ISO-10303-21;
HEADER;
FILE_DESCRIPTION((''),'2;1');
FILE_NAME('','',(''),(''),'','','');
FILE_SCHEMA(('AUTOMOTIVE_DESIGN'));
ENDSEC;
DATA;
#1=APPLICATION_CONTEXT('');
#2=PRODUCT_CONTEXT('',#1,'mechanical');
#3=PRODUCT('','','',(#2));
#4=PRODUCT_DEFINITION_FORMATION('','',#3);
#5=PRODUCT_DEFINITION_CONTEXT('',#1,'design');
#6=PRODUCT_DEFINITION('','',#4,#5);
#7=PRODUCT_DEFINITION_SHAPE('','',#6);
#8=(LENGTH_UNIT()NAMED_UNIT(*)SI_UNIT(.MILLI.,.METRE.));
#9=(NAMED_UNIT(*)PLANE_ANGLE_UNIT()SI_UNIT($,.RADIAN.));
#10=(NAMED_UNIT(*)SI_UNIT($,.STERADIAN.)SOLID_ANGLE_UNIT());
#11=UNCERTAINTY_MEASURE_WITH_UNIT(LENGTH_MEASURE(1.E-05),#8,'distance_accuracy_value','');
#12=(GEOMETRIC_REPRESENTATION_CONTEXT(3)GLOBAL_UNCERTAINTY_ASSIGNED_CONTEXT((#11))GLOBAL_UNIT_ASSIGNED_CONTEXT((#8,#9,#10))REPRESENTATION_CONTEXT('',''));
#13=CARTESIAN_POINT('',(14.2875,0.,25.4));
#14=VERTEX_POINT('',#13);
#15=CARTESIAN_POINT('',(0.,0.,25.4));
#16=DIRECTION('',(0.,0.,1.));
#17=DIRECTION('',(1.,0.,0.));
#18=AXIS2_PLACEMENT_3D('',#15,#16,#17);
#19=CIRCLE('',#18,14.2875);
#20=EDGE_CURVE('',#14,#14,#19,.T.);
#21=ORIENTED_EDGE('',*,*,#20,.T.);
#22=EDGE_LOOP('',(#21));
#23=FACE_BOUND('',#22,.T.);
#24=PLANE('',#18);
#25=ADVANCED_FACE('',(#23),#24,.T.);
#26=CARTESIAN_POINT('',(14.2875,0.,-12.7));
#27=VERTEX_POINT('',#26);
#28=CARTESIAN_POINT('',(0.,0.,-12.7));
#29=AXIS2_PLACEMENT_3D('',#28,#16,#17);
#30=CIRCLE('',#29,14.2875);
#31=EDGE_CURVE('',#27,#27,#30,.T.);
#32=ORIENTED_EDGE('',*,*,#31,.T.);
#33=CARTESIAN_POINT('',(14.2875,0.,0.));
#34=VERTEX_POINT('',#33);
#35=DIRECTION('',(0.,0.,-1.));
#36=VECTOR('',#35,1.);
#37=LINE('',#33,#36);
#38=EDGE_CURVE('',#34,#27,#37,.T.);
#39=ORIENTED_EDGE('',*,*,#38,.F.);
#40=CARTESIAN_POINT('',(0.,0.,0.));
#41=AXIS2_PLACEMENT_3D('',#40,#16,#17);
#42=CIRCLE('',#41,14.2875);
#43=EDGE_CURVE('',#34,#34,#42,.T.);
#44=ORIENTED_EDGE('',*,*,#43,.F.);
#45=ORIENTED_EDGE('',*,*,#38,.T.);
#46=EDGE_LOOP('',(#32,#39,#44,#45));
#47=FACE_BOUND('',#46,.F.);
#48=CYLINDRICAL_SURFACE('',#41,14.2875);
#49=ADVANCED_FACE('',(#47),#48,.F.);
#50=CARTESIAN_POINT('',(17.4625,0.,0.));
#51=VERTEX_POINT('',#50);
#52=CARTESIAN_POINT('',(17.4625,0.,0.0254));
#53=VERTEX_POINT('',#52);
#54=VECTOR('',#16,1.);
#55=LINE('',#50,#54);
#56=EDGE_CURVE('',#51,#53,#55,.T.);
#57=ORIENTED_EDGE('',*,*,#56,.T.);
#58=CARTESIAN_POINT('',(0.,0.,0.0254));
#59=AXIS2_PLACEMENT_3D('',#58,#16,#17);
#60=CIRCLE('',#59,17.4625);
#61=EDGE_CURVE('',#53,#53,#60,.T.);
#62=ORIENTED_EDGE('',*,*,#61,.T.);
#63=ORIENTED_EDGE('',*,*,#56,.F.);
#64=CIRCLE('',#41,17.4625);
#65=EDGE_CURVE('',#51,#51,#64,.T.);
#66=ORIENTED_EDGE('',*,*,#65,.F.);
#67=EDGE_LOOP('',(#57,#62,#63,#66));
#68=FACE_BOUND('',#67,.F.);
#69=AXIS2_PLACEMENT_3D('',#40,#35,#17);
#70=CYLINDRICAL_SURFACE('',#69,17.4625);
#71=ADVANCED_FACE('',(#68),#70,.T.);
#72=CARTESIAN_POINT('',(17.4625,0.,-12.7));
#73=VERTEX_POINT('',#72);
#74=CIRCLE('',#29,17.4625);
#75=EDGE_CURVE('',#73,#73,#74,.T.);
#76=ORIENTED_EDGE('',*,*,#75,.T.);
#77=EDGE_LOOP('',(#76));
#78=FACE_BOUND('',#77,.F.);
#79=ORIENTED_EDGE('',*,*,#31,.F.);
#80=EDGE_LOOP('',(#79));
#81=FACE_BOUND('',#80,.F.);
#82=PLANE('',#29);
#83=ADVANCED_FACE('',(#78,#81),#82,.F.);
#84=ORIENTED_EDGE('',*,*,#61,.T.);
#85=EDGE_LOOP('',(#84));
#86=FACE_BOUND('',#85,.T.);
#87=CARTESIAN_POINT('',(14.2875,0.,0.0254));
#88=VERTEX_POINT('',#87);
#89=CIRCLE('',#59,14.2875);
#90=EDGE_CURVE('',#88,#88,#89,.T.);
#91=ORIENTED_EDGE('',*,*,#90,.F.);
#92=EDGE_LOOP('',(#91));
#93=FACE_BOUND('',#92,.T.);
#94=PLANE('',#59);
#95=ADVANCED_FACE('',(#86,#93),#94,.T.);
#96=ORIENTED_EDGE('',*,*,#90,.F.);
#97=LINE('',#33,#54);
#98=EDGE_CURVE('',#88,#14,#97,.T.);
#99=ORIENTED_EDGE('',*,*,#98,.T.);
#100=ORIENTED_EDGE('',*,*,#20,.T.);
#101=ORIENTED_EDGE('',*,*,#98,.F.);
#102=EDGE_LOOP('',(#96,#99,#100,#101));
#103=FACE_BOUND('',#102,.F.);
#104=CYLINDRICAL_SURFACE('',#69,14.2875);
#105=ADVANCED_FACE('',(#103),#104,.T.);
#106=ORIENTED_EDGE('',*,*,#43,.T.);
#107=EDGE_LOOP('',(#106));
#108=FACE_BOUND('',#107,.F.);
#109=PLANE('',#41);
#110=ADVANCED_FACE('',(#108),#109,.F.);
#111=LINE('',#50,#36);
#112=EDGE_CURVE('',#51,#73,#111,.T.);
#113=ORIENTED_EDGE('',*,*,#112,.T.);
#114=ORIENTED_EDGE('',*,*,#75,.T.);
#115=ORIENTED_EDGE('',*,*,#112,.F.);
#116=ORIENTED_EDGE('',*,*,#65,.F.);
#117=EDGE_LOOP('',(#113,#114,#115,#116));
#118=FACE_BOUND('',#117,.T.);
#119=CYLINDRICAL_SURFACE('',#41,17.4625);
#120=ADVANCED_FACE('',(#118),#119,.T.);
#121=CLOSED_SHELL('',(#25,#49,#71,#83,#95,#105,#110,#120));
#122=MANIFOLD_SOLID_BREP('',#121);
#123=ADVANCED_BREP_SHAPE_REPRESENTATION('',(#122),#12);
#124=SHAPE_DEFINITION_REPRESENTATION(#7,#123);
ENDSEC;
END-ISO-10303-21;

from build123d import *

# Parameters (mm, degrees)
F0_R          = 14.2875
F1_DEPTH      = 25.4
F0_R_2        = 17.4625
F2_DEPTH      = 12.7
F2_DEPTH_BACK = 0.0254


with BuildPart() as f1:
    # F0 (on Top) → F1 (new body)
    with BuildSketch(Plane.XY):
        Circle(F0_R)
    extrude(amount=F1_DEPTH)

    # F0 (on Top) → F2 (join, two sides)
    with BuildSketch(Plane.XY) as f2_sk:
        Circle(F0_R_2)
        Circle(F0_R, mode=Mode.SUBTRACT)
    extrude(amount=-F2_DEPTH)
    extrude(f2_sk.sketch, amount=F2_DEPTH_BACK)


solid = f1.part
